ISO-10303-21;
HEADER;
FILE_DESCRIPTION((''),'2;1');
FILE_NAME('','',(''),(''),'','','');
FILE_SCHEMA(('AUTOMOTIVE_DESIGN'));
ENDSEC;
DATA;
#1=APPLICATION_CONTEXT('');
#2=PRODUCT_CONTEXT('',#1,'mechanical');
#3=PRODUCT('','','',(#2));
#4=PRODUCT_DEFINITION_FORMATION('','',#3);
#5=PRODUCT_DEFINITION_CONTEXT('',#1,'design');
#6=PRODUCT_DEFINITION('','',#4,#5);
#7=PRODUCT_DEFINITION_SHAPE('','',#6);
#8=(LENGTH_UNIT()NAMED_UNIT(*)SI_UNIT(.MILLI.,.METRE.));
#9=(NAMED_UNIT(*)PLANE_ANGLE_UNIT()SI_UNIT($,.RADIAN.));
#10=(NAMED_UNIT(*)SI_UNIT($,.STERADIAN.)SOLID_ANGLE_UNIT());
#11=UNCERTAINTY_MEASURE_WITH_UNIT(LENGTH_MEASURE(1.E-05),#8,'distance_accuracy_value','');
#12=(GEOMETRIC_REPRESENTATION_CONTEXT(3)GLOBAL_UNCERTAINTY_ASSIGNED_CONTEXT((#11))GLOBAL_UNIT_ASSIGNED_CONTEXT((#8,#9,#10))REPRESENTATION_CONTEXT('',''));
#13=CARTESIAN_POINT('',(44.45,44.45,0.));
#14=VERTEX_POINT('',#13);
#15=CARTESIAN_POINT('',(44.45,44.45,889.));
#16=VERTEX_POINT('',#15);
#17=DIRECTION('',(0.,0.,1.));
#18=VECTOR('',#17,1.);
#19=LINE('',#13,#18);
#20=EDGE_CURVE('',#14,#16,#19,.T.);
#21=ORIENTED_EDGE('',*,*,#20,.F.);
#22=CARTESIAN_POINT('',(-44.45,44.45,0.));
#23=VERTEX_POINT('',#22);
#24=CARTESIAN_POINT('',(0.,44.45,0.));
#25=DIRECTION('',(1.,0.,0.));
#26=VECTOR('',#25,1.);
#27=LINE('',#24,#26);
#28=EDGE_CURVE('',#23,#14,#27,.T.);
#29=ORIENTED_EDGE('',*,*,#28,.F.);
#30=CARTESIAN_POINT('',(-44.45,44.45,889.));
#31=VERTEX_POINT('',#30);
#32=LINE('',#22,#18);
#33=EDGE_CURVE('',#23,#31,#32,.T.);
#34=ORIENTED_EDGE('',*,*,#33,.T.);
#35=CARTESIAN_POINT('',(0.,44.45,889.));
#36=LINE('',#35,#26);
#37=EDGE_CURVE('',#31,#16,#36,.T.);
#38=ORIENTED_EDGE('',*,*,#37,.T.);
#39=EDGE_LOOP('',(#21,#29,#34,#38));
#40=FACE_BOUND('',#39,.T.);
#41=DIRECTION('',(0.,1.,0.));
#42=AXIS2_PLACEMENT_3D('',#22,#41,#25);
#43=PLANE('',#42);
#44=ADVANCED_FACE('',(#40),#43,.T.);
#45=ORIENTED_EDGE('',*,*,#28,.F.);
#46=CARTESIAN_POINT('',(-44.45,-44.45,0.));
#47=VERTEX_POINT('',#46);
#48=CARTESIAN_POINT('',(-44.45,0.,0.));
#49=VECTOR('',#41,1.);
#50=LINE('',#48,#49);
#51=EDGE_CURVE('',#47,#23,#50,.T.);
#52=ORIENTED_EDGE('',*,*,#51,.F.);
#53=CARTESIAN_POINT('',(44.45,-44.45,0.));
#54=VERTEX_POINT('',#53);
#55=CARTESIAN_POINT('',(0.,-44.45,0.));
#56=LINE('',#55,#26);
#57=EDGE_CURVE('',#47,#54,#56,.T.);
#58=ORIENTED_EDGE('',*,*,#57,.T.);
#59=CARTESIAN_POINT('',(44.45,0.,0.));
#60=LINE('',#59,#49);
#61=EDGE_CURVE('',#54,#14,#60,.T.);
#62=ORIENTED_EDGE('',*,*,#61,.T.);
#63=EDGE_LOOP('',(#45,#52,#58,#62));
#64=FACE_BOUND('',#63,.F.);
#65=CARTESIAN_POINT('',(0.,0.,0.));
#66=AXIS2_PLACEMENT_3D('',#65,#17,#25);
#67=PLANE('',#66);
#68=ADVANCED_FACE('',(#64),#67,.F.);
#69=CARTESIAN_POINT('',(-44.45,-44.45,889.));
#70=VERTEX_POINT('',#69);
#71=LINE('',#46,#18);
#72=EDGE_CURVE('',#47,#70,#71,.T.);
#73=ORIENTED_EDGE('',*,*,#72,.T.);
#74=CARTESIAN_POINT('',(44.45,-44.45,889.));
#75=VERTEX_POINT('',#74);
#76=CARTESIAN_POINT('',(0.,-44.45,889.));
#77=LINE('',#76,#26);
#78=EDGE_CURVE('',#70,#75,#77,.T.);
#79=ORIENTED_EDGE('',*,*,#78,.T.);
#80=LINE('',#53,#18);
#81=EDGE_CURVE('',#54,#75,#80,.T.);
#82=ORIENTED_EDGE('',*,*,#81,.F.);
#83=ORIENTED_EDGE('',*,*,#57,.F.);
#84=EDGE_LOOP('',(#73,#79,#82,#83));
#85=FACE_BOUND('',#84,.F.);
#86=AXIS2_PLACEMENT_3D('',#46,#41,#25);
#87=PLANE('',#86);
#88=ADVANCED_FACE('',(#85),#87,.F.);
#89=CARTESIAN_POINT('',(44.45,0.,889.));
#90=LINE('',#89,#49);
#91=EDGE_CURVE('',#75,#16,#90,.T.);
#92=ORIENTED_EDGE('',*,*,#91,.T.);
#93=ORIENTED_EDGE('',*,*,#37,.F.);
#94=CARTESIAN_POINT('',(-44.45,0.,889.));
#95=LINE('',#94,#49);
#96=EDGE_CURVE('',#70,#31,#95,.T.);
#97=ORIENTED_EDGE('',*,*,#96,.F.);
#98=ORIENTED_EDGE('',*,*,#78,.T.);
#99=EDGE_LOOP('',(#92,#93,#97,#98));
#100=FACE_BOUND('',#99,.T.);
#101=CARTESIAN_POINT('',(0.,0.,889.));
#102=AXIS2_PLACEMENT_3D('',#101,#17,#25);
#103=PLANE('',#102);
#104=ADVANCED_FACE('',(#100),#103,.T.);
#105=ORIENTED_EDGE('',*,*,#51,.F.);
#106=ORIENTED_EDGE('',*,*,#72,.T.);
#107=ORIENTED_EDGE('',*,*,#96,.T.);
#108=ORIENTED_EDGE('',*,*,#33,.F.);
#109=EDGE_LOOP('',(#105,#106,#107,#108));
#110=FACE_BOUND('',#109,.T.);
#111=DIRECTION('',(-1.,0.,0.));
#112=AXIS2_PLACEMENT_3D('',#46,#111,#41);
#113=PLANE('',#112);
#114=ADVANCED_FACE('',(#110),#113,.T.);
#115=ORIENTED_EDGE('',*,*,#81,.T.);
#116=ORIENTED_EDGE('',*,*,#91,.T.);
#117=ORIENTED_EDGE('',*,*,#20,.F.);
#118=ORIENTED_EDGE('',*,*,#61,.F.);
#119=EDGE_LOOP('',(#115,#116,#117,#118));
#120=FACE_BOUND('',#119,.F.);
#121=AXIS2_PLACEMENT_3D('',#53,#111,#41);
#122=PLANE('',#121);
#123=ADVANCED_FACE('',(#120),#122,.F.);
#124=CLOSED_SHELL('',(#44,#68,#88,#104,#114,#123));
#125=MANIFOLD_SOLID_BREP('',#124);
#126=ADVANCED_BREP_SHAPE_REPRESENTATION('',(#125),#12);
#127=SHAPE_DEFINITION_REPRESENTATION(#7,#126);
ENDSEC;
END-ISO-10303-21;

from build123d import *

# Parameters (mm, degrees)
F0_W     = 88.9
F0_H     = 88.9
F1_DEPTH = 889


with BuildPart() as f1:
    # F0 (on Top) → F1 (new body)
    with BuildSketch(Plane.XY):
        Rectangle(F0_W, F0_H)
    extrude(amount=F1_DEPTH)


with BuildPart() as f2_1:
    # F2: copy of F1
    add(f1.part)


solid = f1.part
